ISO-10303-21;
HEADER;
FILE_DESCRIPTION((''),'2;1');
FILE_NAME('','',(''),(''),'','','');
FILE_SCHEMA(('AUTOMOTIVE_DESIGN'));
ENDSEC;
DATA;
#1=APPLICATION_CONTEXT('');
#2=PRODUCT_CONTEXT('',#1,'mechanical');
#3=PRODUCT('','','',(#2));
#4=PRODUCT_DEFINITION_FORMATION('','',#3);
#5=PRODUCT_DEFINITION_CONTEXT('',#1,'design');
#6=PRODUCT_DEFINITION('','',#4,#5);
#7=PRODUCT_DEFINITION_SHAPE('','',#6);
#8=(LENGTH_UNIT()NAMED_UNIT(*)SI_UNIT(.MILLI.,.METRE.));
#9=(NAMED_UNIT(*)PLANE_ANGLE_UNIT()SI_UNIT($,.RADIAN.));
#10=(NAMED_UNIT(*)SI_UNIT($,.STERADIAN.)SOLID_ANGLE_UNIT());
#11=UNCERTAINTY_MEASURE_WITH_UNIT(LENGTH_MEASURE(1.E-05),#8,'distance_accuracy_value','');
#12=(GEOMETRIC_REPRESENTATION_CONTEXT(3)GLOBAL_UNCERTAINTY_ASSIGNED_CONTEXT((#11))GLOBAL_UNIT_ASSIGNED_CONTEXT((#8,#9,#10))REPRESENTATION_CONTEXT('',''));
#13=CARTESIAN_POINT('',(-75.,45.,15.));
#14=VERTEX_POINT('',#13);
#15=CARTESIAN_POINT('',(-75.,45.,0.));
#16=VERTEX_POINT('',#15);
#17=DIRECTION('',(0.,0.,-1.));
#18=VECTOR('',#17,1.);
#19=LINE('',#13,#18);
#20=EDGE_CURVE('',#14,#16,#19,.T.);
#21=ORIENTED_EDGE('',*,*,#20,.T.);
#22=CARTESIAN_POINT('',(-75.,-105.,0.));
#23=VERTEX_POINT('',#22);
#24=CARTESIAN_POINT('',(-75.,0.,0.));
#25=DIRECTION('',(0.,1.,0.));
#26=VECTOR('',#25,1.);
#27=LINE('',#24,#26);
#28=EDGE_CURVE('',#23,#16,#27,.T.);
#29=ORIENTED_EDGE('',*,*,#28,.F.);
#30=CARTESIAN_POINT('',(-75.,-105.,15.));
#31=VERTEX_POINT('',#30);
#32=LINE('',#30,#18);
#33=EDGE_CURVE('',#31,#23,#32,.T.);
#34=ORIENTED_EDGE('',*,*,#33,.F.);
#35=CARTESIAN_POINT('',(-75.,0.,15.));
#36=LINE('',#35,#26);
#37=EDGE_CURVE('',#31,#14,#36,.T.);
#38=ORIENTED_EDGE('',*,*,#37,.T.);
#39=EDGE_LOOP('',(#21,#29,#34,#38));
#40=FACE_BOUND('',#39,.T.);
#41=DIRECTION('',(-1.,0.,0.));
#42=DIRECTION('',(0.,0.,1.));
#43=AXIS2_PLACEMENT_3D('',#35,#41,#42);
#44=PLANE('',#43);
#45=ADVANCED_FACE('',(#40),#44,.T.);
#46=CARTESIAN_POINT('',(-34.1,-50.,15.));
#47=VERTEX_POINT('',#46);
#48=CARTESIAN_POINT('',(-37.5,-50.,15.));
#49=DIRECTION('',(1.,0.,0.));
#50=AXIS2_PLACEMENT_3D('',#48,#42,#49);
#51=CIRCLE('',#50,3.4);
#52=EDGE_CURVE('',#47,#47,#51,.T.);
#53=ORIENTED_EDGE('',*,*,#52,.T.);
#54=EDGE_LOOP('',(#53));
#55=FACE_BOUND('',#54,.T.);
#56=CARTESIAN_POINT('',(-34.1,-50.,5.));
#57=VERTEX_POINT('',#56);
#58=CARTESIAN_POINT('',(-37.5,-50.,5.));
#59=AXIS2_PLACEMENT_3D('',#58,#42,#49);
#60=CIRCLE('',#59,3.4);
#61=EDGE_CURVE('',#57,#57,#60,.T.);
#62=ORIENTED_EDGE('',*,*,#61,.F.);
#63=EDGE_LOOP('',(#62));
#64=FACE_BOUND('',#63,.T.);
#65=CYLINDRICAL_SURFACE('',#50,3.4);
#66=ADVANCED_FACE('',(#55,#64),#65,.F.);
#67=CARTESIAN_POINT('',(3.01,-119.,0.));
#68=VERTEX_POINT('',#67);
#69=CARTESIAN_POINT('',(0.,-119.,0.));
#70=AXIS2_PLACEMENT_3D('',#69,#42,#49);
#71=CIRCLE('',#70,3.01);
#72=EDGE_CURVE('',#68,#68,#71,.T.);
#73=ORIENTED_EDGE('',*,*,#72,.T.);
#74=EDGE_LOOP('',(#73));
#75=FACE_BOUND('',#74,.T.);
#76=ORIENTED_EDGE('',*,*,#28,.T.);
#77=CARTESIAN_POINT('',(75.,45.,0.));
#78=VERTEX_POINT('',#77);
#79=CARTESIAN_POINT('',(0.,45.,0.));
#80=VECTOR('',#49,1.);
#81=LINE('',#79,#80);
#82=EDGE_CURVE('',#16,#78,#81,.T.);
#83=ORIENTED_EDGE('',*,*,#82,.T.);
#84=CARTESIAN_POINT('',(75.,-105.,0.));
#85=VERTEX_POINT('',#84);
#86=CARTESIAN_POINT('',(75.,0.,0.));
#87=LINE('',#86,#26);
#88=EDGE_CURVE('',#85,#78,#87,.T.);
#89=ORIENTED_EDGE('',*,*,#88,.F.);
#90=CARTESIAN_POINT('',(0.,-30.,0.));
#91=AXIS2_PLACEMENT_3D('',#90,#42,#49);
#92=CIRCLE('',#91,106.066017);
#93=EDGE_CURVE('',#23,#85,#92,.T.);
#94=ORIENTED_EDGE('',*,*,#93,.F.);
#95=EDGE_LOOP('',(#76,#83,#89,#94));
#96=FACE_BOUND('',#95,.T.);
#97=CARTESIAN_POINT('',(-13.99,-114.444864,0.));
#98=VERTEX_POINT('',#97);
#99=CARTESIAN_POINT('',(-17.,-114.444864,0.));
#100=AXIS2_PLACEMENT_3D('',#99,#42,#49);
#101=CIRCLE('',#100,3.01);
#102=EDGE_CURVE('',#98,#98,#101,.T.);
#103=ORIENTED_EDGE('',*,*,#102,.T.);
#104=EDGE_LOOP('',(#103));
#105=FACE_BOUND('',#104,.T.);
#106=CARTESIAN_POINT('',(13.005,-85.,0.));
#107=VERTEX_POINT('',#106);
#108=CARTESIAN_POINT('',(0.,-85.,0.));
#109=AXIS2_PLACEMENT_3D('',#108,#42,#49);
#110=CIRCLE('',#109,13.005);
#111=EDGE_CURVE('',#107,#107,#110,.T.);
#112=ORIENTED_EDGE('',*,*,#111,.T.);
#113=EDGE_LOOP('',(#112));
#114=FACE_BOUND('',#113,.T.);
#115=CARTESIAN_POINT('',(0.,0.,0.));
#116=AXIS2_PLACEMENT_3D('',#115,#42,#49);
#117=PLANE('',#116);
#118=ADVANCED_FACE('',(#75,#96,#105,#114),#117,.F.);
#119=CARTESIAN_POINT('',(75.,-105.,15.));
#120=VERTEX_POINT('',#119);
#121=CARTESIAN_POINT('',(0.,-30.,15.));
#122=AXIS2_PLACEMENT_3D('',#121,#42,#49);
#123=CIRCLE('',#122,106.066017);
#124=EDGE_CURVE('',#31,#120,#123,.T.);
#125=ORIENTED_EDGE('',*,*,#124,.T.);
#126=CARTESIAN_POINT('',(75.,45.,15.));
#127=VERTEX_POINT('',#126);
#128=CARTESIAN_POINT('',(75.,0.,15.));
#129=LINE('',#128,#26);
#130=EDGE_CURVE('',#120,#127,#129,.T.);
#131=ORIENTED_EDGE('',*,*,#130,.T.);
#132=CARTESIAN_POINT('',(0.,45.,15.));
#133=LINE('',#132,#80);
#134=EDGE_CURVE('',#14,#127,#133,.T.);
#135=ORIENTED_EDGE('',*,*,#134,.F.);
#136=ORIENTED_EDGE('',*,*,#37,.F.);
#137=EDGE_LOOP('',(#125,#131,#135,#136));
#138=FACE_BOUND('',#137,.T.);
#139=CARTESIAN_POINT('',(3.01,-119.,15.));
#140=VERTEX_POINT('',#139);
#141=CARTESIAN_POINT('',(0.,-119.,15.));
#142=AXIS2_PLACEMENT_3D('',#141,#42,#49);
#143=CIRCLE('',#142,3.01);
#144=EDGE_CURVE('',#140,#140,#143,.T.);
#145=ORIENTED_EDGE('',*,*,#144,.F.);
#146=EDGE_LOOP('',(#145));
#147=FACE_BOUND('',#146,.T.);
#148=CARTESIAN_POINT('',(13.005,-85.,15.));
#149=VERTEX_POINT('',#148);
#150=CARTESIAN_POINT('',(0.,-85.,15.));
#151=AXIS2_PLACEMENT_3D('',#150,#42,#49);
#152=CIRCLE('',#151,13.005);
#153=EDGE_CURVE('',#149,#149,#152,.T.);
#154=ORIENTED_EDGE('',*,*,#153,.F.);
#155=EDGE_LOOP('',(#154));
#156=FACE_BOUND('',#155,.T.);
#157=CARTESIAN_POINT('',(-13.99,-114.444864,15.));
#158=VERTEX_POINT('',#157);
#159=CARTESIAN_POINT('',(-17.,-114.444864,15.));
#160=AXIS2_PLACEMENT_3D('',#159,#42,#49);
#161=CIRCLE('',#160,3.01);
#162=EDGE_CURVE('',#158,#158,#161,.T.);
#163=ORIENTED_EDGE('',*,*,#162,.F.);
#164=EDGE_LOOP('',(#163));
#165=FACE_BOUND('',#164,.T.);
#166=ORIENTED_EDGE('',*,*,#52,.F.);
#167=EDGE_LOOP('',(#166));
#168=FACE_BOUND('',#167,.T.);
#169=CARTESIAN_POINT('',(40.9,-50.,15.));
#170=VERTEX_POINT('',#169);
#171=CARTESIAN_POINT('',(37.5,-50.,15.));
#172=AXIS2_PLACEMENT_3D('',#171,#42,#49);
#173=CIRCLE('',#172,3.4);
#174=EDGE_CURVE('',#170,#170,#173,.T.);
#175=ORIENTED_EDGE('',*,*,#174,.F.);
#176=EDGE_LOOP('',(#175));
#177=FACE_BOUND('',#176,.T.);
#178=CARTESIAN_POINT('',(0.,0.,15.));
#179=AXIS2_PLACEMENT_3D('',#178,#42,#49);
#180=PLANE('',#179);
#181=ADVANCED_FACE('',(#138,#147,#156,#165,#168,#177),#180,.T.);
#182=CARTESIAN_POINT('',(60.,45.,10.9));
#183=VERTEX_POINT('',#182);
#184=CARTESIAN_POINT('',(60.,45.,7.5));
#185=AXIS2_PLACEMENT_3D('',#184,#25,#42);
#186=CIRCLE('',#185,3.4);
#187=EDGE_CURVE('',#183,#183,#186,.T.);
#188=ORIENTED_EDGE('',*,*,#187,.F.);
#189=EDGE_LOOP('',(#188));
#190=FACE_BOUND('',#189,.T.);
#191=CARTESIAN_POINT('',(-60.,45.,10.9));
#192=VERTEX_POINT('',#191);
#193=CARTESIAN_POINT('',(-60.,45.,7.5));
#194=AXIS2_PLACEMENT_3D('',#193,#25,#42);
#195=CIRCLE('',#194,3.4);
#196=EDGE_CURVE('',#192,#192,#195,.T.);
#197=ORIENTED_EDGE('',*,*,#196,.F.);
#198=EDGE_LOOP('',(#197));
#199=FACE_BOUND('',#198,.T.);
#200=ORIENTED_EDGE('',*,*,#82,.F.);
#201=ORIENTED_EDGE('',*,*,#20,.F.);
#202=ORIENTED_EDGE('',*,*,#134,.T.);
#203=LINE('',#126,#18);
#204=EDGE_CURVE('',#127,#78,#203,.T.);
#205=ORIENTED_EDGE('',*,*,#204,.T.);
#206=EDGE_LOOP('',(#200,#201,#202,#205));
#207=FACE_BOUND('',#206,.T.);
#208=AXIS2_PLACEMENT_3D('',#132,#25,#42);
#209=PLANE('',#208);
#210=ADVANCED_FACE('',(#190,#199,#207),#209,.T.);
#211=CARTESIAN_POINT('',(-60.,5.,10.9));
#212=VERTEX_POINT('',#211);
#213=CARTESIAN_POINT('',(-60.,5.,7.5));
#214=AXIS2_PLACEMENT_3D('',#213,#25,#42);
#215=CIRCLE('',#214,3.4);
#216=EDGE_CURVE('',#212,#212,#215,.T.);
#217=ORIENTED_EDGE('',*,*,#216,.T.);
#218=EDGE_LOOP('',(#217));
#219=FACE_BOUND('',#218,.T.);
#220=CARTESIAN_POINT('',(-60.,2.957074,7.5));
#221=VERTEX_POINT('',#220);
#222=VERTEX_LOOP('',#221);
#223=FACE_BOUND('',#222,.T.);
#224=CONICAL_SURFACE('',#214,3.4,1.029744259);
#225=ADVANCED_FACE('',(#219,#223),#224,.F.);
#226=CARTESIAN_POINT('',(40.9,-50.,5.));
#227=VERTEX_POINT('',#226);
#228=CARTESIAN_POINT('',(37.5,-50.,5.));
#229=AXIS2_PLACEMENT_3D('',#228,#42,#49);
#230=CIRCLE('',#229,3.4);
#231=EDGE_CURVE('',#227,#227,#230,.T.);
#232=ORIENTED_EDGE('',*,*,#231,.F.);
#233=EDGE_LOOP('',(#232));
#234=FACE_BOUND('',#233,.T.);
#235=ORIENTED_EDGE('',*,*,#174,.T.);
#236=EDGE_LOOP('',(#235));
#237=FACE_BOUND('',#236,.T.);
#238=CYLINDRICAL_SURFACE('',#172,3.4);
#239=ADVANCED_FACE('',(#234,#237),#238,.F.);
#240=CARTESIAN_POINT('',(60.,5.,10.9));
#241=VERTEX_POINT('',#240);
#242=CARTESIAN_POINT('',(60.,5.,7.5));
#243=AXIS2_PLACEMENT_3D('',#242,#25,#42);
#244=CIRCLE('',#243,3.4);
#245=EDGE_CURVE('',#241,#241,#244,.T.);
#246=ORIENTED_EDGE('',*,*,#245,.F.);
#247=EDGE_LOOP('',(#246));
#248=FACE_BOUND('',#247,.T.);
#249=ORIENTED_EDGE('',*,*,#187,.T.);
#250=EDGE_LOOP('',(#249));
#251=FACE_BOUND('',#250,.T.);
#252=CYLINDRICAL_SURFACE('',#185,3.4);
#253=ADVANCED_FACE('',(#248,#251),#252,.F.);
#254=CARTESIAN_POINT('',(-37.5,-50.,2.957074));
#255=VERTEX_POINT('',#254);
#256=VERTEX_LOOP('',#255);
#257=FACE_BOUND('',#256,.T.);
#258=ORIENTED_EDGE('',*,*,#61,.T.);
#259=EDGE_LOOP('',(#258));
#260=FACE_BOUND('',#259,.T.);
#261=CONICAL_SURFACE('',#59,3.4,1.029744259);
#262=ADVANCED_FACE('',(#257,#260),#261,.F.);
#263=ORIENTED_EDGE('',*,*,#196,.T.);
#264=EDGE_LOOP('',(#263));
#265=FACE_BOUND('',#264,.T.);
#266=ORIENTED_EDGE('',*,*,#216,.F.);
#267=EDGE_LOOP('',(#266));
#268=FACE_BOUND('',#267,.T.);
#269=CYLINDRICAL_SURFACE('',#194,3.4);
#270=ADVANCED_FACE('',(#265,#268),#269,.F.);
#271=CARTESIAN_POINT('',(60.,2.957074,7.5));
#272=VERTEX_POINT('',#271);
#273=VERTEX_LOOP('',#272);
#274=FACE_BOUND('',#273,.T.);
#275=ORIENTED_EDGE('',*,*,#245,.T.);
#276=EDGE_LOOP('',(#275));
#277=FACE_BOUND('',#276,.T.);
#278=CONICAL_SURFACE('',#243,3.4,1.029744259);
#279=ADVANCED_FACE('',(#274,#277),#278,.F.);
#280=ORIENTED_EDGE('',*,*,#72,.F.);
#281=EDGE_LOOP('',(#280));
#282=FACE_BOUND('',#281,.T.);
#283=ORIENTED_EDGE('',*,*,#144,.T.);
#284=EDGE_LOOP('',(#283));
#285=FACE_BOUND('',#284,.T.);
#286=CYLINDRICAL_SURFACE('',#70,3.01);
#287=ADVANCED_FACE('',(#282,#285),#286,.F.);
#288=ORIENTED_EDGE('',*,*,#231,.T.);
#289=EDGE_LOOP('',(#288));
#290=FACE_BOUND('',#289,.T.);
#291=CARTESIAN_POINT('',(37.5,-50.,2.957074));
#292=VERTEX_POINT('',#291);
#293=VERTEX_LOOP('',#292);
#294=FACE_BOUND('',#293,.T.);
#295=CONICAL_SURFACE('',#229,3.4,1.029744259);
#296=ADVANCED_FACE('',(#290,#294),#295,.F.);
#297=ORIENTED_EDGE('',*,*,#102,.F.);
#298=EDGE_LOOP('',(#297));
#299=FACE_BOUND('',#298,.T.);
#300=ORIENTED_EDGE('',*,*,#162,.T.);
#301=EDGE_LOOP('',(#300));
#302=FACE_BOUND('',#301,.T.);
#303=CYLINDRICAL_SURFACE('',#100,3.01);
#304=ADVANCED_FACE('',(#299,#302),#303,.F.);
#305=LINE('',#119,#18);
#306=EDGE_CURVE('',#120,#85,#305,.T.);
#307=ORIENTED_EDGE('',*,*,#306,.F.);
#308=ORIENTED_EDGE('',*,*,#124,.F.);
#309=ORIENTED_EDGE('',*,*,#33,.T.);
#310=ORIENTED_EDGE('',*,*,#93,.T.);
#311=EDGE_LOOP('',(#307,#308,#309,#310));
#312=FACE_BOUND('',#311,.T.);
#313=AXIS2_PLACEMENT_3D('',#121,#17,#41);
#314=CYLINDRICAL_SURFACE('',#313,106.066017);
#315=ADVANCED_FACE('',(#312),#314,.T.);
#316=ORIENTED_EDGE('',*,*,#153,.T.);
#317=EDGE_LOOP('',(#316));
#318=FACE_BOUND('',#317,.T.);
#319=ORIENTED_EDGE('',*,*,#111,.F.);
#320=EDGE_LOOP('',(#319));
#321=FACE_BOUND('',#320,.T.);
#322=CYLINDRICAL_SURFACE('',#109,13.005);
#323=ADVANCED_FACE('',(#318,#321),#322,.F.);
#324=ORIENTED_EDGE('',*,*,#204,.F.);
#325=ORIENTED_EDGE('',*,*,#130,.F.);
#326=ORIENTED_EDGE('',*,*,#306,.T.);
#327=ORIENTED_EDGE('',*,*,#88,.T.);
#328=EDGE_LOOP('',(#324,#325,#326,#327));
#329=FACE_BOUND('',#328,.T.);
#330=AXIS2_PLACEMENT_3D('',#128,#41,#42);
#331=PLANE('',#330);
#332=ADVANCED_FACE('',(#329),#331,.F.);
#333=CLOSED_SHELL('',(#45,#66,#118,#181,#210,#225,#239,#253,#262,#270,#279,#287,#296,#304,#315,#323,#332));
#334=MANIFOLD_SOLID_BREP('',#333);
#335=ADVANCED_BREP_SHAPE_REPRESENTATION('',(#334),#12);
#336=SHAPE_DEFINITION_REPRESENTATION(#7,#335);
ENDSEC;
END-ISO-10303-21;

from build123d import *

# Parameters (mm, degrees)
SKETCH2_W                        = 150
SKETCH2_H                        = 90
SKETCH2_H_2                      = 60
BOSS_EXTRUDE1_DEPTH              = 15
SKETCH3_R                        = 13.005
SKETCH3_R_2                      = 3.01
CUT_EXTRUDE1_DEPTH               = 16
TAP_DRILL_FOR_M8X1_25_TAP2_D     = 6.8
TAP_DRILL_FOR_M8X1_25_TAP2_DEPTH = 10
TAP_DRILL_FOR_M8X1_25_TAP2_TIP   = 2.042926105
TAP_DRILL_FOR_M8X1_25_TAP3_D     = 6.8
TAP_DRILL_FOR_M8X1_25_TAP3_DEPTH = 40
TAP_DRILL_FOR_M8X1_25_TAP3_TIP   = 2.042926105


with BuildPart() as part:
    # Sketch2 → Boss-Extrude1 (new body)
    with BuildSketch(Plane.XY):
        Rectangle(SKETCH2_W, SKETCH2_H)
        with Locations((0, -75)):
            Rectangle(SKETCH2_W, SKETCH2_H_2)
        with BuildLine():
            Line((-75, -105), (75, -105))
            ThreePointArc((75, -105), (0, -136.066017178), (-75, -105))
        make_face()
    extrude(amount=BOSS_EXTRUDE1_DEPTH)

    # Sketch3 → Cut-Extrude1 (cut, through all)
    with BuildSketch(Plane.XY.offset(15)):
        with Locations((0, -85)):
            Circle(SKETCH3_R)
        with Locations((-17, -114.444863729)):
            Circle(SKETCH3_R_2)
        with Locations((0, -119)):
            Circle(SKETCH3_R_2)
    extrude(amount=-CUT_EXTRUDE1_DEPTH, mode=Mode.SUBTRACT)

    # Tap Drill for M8x1.25 Tap2
    with Locations(Plane.XY.offset(15)):
        with Locations((-37.5, -50), (37.5, -50)):
            Hole(TAP_DRILL_FOR_M8X1_25_TAP2_D / 2, depth=TAP_DRILL_FOR_M8X1_25_TAP2_DEPTH)
            with Locations((0, 0, -(TAP_DRILL_FOR_M8X1_25_TAP2_DEPTH + TAP_DRILL_FOR_M8X1_25_TAP2_TIP / 2))):  # 118° drill point
                Cone(0, TAP_DRILL_FOR_M8X1_25_TAP2_D / 2, TAP_DRILL_FOR_M8X1_25_TAP2_TIP, mode=Mode.SUBTRACT)

    # Tap Drill for M8x1.25 Tap3
    with Locations(Plane(origin=(0, 45, 0), x_dir=(1, 0, 0), z_dir=(0, 1, 0))):
        with Locations((-60, -7.5), (60, -7.5)):
            Hole(TAP_DRILL_FOR_M8X1_25_TAP3_D / 2, depth=TAP_DRILL_FOR_M8X1_25_TAP3_DEPTH)
            with Locations((0, 0, -(TAP_DRILL_FOR_M8X1_25_TAP3_DEPTH + TAP_DRILL_FOR_M8X1_25_TAP3_TIP / 2))):  # 118° drill point
                Cone(0, TAP_DRILL_FOR_M8X1_25_TAP3_D / 2, TAP_DRILL_FOR_M8X1_25_TAP3_TIP, mode=Mode.SUBTRACT)


solid = part.part
